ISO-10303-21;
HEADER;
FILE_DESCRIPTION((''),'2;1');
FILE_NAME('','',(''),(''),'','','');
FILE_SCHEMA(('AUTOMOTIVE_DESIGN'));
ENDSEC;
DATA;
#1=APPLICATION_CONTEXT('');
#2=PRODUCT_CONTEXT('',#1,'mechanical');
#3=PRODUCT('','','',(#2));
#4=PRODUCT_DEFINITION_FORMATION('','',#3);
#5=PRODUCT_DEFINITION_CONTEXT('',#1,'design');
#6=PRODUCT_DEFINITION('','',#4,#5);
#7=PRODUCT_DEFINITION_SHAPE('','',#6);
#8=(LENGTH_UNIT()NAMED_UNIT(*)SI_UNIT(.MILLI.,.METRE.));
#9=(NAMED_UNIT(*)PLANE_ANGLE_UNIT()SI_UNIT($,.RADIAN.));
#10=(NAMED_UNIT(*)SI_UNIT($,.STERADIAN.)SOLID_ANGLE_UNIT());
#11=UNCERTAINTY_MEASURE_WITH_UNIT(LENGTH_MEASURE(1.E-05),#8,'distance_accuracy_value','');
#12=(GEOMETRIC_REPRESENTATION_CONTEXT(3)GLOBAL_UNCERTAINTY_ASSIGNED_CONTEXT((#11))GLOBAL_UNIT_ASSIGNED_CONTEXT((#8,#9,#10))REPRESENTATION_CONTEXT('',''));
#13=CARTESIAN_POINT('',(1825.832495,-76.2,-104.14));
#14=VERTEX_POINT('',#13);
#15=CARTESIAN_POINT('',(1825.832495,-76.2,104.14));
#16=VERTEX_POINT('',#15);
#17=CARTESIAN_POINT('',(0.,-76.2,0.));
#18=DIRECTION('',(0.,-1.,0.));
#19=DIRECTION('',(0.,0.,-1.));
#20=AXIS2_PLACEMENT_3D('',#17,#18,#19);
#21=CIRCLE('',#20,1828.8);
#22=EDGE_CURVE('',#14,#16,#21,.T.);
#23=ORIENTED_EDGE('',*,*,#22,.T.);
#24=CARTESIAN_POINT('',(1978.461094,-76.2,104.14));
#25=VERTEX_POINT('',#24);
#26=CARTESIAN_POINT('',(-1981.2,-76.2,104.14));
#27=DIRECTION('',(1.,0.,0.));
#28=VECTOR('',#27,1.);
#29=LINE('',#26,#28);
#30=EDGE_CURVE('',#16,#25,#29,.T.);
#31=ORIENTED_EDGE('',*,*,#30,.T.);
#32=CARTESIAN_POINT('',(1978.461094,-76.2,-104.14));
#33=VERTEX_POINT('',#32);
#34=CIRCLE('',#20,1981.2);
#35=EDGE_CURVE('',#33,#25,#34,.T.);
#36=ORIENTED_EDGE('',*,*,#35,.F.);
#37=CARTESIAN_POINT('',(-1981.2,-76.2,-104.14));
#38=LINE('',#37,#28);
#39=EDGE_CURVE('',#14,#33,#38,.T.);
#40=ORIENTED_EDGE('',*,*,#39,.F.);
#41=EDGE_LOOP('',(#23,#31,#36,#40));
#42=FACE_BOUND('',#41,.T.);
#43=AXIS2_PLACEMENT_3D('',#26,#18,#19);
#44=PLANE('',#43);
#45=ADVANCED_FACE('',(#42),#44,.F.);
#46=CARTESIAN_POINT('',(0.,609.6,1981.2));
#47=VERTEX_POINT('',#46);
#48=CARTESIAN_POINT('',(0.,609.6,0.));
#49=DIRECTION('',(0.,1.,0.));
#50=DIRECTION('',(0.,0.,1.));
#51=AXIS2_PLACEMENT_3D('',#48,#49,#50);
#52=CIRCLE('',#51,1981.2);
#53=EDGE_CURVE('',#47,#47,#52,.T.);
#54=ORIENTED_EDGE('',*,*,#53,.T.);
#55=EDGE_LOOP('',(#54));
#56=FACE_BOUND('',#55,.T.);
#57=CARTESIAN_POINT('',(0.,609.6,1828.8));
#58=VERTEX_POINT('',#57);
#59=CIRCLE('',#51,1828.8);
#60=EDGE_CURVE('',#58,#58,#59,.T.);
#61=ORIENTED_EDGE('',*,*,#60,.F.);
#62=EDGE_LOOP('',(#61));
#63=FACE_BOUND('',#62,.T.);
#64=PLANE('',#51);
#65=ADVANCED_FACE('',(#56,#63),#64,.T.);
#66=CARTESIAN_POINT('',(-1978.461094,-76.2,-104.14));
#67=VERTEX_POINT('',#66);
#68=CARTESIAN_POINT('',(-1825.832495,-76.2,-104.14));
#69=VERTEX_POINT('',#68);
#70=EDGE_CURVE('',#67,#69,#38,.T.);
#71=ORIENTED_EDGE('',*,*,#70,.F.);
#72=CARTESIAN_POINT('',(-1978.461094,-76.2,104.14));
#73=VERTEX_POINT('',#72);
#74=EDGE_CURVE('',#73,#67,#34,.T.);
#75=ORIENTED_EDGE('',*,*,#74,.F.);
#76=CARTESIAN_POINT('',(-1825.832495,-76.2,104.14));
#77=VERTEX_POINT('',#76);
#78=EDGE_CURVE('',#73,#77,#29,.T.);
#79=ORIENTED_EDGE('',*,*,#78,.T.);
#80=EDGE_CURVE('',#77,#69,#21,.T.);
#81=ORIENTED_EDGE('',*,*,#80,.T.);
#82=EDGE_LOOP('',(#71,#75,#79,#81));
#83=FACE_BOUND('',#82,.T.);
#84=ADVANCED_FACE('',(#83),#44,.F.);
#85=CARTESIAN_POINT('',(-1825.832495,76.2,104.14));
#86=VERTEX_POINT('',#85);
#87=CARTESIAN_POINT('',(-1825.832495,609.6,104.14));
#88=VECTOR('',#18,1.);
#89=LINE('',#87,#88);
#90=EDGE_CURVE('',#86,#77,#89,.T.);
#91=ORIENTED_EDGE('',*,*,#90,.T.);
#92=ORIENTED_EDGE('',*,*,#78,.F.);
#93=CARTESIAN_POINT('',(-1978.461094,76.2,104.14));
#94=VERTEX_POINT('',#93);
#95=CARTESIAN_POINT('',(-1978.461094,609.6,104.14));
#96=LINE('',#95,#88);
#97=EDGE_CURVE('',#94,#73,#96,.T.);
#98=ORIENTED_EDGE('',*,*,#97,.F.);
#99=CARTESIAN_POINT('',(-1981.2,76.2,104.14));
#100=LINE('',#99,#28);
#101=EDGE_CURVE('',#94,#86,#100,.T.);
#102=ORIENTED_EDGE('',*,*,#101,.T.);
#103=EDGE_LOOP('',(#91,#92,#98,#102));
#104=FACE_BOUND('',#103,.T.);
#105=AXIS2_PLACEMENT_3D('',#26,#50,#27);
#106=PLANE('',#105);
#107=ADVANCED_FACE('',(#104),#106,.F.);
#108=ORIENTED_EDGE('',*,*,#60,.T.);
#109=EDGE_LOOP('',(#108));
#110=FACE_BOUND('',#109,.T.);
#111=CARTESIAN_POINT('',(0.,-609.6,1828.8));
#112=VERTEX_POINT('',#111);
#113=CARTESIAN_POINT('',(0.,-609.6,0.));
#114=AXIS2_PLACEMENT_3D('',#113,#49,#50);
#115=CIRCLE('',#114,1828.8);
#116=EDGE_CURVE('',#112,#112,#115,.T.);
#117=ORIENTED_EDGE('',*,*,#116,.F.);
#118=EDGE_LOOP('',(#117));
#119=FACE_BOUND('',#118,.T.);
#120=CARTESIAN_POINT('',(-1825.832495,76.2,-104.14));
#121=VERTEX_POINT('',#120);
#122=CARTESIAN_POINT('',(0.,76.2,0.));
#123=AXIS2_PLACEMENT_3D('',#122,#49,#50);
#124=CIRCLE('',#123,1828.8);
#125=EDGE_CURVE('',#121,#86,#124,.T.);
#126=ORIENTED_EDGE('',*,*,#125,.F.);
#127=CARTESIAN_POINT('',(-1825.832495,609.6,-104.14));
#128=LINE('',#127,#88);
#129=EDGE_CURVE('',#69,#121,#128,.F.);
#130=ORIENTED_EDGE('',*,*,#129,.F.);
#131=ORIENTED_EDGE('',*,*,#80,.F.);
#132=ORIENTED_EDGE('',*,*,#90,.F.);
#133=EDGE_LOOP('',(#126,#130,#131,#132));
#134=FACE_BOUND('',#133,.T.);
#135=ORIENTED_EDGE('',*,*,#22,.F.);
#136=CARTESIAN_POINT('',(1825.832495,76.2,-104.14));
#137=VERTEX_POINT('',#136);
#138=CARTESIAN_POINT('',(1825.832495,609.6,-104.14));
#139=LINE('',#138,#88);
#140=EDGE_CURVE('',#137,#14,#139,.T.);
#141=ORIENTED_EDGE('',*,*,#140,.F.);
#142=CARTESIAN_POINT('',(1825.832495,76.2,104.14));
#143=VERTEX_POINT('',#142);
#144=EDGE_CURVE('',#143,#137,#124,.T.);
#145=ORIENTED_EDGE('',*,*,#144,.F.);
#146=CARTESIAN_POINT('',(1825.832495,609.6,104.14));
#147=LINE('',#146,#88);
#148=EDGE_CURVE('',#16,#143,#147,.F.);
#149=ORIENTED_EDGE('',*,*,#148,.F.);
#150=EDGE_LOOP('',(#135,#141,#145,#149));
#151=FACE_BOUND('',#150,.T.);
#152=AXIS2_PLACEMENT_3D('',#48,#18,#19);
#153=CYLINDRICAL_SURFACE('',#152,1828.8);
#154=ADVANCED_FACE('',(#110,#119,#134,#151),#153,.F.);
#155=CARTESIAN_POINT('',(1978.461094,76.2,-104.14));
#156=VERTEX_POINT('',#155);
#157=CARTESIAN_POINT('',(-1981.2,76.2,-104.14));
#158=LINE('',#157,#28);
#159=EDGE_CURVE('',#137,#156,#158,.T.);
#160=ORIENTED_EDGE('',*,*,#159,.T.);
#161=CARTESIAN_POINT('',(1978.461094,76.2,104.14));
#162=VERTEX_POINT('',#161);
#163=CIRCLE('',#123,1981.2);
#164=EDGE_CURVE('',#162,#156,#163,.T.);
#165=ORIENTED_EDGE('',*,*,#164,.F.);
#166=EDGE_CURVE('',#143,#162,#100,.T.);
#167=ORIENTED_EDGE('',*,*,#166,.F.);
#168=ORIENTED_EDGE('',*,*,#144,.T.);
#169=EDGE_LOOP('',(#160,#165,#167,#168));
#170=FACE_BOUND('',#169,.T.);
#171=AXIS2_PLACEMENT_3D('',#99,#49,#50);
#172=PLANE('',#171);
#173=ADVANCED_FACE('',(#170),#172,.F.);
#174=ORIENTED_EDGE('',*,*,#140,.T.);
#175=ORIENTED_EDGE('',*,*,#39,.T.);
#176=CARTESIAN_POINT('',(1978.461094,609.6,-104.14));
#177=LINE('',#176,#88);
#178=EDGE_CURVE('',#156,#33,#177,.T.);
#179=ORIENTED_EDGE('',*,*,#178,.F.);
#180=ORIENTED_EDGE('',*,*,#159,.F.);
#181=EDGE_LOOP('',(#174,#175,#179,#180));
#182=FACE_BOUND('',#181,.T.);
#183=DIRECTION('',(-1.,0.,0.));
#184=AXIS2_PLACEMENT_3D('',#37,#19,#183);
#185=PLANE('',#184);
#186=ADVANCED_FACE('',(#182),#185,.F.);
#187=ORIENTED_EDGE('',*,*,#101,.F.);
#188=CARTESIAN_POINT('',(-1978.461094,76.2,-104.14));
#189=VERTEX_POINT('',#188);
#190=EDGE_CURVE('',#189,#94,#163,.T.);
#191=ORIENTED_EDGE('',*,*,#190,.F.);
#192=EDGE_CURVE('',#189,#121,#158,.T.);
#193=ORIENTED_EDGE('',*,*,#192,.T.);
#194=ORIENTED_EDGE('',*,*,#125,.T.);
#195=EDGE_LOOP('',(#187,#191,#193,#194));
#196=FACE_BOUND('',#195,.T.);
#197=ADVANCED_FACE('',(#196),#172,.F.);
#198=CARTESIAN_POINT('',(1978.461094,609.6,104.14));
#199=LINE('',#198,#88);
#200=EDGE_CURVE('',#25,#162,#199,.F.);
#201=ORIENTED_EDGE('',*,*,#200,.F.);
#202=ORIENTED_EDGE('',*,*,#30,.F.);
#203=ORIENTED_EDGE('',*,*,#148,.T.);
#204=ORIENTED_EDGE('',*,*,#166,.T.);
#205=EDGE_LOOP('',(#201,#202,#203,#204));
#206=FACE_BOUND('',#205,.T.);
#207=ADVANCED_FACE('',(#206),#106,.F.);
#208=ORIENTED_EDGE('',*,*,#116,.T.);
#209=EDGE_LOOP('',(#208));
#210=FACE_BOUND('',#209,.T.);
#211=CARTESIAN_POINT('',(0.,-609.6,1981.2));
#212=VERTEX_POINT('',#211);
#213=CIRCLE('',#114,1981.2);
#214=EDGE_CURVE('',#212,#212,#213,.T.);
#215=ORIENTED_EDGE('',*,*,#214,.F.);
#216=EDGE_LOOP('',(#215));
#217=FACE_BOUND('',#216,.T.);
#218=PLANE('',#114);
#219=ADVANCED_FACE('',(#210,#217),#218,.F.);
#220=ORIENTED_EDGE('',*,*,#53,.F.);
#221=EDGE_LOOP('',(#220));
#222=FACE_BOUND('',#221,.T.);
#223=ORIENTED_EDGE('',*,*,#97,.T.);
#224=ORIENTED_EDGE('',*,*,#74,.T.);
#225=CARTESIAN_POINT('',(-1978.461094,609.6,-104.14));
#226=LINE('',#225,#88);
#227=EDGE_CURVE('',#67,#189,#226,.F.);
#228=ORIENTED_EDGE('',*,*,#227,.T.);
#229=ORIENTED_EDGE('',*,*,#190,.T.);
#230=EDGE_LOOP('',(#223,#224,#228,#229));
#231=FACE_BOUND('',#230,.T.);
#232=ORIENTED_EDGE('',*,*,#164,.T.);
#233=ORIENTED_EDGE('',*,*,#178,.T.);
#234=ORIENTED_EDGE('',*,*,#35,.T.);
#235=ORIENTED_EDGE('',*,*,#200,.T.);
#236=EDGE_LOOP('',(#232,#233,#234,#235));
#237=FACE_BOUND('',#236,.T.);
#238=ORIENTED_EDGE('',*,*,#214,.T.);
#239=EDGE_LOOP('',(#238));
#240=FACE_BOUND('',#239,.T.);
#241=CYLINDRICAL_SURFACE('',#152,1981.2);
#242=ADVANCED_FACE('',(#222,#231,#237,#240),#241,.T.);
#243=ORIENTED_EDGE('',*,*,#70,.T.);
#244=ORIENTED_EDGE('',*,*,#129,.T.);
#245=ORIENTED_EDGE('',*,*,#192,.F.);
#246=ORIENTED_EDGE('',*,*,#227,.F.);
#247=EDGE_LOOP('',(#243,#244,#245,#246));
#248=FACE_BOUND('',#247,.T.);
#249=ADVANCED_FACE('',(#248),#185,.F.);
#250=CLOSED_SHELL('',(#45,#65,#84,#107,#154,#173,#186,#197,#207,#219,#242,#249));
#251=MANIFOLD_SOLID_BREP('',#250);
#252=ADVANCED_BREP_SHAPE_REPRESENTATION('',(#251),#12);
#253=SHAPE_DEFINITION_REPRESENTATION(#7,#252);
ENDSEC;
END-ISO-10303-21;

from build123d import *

# Parameters (mm, degrees)
SKETCH1_R               = 1981.2
SKETCH1_R_2             = 1828.8
BOSS_EXTRUDE1_DEPTH     = 609.6
CUT_EXTRUDE1_DEPTH      = 2868.388888867
CUT_EXTRUDE1_DEPTH_BACK = 2868.388888867
SKETCH2_W               = 208.28
SKETCH2_H               = 152.4


with BuildPart() as part:
    # Sketch1 → Boss-Extrude1 (new, symmetric)
    with BuildSketch(Plane(origin=(0, 0, 0), x_dir=(1, 0, 0), z_dir=(0, 1, 0))):
        with Locations(Location((0, 0, 0), (0, 0, 90))):
            Circle(SKETCH1_R)
        with Locations(Location((0, 0, 0), (0, 0, 90))):
            Circle(SKETCH1_R_2, mode=Mode.SUBTRACT)
    extrude(amount=BOSS_EXTRUDE1_DEPTH, both=True)

    # Sketch2 → Cut-Extrude1 (cut, two sides: drawn at the far end of the back side and taken through both)
    with BuildSketch(Plane(origin=(0, 0, 0), x_dir=(0, 0, -1), z_dir=(1, 0, 0)).offset(-CUT_EXTRUDE1_DEPTH_BACK)):
        Rectangle(SKETCH2_W, SKETCH2_H)
    extrude(amount=CUT_EXTRUDE1_DEPTH + CUT_EXTRUDE1_DEPTH_BACK, mode=Mode.SUBTRACT)


solid = part.part
